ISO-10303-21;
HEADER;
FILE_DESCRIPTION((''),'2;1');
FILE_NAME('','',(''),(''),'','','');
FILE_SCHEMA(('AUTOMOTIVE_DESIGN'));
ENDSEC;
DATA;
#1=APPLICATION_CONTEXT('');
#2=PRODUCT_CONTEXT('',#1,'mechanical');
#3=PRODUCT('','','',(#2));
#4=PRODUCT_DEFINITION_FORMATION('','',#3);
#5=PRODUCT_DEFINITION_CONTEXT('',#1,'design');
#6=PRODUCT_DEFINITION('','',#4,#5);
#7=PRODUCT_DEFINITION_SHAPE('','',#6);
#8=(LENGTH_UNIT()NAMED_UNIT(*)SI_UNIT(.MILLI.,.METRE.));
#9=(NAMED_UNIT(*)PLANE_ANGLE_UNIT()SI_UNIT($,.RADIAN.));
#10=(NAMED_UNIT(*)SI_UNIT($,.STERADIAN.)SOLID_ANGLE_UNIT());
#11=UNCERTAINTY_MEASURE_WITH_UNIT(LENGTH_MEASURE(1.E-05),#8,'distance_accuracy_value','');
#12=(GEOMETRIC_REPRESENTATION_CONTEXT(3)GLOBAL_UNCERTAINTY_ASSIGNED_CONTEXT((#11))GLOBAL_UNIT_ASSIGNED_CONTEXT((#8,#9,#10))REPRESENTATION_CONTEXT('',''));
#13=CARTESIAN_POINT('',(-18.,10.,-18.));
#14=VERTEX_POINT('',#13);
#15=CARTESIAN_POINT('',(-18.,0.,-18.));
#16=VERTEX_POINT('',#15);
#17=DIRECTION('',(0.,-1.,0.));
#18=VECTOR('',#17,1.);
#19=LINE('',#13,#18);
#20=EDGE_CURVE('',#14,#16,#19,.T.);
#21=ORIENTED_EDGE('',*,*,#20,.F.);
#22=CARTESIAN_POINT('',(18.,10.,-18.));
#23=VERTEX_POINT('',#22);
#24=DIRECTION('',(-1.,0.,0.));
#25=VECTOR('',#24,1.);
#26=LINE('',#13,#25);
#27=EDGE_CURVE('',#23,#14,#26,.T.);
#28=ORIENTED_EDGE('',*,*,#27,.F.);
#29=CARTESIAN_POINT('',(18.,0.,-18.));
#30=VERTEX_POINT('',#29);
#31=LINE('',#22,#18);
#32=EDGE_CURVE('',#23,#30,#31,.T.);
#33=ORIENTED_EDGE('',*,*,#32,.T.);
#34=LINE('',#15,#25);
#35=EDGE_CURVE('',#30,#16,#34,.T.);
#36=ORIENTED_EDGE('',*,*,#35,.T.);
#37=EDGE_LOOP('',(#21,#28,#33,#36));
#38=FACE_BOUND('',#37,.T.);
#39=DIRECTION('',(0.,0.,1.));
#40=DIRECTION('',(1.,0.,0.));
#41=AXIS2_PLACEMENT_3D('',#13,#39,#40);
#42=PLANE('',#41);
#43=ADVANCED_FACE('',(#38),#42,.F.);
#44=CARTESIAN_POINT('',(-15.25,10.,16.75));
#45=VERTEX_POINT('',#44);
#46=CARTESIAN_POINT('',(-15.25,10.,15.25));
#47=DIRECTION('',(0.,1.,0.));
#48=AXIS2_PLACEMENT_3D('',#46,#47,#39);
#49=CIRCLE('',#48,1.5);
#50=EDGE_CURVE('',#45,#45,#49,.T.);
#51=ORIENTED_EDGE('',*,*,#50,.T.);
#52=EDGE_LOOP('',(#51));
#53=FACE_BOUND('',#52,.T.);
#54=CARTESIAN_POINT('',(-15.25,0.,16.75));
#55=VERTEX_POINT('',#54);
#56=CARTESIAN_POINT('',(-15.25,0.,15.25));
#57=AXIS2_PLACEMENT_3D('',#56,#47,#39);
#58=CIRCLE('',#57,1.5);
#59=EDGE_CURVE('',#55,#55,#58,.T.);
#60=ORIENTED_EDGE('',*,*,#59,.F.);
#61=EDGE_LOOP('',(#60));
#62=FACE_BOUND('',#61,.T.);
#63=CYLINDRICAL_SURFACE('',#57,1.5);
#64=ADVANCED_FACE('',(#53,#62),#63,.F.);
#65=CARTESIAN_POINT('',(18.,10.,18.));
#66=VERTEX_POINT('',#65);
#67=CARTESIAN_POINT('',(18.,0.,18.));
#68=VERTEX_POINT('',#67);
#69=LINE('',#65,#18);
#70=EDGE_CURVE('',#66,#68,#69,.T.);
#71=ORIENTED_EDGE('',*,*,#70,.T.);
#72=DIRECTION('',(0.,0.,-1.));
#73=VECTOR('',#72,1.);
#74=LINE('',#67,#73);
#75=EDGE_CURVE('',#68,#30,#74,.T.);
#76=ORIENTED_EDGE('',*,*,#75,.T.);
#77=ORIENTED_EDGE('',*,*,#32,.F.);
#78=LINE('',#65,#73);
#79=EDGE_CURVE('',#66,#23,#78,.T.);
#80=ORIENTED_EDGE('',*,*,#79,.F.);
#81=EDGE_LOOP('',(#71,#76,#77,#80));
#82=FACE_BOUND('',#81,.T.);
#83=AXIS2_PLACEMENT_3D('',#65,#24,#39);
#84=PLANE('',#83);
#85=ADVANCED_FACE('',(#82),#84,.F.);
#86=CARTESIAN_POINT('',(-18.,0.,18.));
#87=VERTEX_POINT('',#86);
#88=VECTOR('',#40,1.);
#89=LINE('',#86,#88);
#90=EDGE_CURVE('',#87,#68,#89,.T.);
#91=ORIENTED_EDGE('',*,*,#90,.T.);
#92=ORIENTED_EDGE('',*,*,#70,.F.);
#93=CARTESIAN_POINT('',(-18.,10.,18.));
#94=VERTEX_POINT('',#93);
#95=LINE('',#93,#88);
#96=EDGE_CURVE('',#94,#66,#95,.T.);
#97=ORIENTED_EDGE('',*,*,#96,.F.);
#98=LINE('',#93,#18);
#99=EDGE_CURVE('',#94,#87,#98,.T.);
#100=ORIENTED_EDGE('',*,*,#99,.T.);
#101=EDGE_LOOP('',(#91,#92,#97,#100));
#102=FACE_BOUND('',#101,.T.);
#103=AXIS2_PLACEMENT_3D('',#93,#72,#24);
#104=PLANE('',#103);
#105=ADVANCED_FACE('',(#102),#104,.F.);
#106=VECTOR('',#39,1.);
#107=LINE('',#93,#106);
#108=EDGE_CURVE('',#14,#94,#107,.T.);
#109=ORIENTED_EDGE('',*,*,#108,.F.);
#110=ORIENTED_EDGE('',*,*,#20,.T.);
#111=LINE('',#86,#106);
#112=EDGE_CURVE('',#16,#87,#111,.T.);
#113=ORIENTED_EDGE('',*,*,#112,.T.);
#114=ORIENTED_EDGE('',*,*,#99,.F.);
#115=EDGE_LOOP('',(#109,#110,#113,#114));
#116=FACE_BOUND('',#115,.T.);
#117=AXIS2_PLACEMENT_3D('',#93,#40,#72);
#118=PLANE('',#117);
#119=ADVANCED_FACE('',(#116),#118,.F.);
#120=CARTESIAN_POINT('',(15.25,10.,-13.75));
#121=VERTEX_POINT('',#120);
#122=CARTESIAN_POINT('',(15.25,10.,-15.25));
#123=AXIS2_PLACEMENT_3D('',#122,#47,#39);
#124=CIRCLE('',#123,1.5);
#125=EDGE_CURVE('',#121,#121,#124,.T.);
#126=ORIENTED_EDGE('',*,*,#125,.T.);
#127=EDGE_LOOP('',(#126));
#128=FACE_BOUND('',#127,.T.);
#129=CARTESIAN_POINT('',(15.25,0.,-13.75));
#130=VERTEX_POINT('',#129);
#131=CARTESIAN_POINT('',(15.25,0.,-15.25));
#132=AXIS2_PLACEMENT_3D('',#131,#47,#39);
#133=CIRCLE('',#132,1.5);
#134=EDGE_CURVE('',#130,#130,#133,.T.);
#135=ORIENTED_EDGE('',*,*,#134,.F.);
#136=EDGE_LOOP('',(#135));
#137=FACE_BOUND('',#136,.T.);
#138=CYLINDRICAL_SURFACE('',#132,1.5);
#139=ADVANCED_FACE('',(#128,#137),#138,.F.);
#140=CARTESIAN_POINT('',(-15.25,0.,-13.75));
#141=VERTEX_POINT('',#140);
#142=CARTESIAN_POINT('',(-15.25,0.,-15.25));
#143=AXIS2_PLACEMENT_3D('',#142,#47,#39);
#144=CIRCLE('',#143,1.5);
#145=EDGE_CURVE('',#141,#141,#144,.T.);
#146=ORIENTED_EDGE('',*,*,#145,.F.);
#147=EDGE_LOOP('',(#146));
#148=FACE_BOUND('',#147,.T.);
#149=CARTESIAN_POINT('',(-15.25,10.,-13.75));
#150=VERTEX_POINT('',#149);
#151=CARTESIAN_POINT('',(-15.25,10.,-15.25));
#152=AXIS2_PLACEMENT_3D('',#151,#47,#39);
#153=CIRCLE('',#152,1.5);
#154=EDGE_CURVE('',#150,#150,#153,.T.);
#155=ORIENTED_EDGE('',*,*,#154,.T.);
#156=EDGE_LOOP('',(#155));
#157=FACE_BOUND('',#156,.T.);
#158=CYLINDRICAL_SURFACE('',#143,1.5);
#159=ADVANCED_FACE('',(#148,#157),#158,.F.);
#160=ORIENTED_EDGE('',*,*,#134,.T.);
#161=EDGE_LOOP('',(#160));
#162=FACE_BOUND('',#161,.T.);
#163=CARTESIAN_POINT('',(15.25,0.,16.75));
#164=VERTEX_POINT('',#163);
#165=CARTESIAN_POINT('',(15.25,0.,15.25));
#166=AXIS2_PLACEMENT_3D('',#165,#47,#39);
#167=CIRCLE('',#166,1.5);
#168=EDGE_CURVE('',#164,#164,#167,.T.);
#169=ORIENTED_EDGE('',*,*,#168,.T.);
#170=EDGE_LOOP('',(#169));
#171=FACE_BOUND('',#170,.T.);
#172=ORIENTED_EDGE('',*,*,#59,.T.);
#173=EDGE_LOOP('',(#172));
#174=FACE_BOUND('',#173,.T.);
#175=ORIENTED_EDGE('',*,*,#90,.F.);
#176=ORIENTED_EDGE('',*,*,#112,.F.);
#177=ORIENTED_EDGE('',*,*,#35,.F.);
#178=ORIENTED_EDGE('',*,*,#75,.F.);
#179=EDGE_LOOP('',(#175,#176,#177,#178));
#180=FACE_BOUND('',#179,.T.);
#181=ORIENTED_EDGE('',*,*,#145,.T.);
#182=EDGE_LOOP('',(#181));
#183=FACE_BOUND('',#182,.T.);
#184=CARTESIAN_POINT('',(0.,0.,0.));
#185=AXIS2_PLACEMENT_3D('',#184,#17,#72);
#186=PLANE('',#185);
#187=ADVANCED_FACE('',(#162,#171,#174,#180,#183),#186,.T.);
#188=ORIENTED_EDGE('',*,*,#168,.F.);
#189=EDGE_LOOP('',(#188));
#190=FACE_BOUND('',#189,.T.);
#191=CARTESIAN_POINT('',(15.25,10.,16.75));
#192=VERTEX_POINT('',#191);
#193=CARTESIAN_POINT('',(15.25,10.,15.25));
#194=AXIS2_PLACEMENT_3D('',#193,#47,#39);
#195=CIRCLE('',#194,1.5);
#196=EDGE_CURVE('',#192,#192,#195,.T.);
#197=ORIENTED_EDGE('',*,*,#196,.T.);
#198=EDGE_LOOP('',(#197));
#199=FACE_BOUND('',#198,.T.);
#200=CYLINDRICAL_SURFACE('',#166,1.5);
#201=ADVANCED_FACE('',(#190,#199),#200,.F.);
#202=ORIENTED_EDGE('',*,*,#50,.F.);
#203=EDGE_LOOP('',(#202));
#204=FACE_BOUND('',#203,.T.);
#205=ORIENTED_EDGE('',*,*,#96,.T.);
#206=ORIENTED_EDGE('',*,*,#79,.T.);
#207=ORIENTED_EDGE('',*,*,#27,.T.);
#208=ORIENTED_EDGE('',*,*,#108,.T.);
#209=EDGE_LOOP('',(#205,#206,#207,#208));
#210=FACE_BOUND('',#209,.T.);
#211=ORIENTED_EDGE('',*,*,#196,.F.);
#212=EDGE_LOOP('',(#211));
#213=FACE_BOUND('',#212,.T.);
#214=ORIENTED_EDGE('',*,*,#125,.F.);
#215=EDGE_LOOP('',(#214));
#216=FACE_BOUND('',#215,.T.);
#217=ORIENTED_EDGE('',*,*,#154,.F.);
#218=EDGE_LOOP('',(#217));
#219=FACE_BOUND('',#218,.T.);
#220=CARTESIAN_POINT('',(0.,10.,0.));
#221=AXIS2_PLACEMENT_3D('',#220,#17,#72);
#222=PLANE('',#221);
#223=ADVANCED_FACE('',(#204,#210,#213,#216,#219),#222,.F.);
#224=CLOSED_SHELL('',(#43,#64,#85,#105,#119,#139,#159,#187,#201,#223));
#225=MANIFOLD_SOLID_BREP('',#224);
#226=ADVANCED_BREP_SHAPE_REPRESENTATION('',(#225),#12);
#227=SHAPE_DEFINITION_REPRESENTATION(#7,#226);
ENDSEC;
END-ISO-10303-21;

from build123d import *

# Parameters (mm, degrees)
SKETCH1_W           = 36
SKETCH1_H           = 36
BOSS_EXTRUDE1_DEPTH = 10
SKETCH2_R           = 1.5
CUT_EXTRUDE1_DEPTH  = 10


with BuildPart() as part:
    # Sketch1 → Boss-Extrude1 (new body)
    with BuildSketch(Plane(origin=(0, 0, 0), x_dir=(1, 0, 0), z_dir=(0, 1, 0))):
        Rectangle(SKETCH1_W, SKETCH1_H)
    extrude(amount=BOSS_EXTRUDE1_DEPTH)

    # Sketch2 → Cut-Extrude1 (cut)
    with BuildSketch(Plane(origin=(0, 10, 0), x_dir=(1, 0, 0), z_dir=(0, 1, 0))):
        with Locations((-15.25, 15.25)):
            Circle(SKETCH2_R)
        with Locations((15.25, 15.25)):
            Circle(SKETCH2_R)
        with Locations((15.25, -15.25)):
            Circle(SKETCH2_R)
        with Locations((-15.25, -15.25)):
            Circle(SKETCH2_R)
    extrude(amount=-CUT_EXTRUDE1_DEPTH, mode=Mode.SUBTRACT)


solid = part.part
